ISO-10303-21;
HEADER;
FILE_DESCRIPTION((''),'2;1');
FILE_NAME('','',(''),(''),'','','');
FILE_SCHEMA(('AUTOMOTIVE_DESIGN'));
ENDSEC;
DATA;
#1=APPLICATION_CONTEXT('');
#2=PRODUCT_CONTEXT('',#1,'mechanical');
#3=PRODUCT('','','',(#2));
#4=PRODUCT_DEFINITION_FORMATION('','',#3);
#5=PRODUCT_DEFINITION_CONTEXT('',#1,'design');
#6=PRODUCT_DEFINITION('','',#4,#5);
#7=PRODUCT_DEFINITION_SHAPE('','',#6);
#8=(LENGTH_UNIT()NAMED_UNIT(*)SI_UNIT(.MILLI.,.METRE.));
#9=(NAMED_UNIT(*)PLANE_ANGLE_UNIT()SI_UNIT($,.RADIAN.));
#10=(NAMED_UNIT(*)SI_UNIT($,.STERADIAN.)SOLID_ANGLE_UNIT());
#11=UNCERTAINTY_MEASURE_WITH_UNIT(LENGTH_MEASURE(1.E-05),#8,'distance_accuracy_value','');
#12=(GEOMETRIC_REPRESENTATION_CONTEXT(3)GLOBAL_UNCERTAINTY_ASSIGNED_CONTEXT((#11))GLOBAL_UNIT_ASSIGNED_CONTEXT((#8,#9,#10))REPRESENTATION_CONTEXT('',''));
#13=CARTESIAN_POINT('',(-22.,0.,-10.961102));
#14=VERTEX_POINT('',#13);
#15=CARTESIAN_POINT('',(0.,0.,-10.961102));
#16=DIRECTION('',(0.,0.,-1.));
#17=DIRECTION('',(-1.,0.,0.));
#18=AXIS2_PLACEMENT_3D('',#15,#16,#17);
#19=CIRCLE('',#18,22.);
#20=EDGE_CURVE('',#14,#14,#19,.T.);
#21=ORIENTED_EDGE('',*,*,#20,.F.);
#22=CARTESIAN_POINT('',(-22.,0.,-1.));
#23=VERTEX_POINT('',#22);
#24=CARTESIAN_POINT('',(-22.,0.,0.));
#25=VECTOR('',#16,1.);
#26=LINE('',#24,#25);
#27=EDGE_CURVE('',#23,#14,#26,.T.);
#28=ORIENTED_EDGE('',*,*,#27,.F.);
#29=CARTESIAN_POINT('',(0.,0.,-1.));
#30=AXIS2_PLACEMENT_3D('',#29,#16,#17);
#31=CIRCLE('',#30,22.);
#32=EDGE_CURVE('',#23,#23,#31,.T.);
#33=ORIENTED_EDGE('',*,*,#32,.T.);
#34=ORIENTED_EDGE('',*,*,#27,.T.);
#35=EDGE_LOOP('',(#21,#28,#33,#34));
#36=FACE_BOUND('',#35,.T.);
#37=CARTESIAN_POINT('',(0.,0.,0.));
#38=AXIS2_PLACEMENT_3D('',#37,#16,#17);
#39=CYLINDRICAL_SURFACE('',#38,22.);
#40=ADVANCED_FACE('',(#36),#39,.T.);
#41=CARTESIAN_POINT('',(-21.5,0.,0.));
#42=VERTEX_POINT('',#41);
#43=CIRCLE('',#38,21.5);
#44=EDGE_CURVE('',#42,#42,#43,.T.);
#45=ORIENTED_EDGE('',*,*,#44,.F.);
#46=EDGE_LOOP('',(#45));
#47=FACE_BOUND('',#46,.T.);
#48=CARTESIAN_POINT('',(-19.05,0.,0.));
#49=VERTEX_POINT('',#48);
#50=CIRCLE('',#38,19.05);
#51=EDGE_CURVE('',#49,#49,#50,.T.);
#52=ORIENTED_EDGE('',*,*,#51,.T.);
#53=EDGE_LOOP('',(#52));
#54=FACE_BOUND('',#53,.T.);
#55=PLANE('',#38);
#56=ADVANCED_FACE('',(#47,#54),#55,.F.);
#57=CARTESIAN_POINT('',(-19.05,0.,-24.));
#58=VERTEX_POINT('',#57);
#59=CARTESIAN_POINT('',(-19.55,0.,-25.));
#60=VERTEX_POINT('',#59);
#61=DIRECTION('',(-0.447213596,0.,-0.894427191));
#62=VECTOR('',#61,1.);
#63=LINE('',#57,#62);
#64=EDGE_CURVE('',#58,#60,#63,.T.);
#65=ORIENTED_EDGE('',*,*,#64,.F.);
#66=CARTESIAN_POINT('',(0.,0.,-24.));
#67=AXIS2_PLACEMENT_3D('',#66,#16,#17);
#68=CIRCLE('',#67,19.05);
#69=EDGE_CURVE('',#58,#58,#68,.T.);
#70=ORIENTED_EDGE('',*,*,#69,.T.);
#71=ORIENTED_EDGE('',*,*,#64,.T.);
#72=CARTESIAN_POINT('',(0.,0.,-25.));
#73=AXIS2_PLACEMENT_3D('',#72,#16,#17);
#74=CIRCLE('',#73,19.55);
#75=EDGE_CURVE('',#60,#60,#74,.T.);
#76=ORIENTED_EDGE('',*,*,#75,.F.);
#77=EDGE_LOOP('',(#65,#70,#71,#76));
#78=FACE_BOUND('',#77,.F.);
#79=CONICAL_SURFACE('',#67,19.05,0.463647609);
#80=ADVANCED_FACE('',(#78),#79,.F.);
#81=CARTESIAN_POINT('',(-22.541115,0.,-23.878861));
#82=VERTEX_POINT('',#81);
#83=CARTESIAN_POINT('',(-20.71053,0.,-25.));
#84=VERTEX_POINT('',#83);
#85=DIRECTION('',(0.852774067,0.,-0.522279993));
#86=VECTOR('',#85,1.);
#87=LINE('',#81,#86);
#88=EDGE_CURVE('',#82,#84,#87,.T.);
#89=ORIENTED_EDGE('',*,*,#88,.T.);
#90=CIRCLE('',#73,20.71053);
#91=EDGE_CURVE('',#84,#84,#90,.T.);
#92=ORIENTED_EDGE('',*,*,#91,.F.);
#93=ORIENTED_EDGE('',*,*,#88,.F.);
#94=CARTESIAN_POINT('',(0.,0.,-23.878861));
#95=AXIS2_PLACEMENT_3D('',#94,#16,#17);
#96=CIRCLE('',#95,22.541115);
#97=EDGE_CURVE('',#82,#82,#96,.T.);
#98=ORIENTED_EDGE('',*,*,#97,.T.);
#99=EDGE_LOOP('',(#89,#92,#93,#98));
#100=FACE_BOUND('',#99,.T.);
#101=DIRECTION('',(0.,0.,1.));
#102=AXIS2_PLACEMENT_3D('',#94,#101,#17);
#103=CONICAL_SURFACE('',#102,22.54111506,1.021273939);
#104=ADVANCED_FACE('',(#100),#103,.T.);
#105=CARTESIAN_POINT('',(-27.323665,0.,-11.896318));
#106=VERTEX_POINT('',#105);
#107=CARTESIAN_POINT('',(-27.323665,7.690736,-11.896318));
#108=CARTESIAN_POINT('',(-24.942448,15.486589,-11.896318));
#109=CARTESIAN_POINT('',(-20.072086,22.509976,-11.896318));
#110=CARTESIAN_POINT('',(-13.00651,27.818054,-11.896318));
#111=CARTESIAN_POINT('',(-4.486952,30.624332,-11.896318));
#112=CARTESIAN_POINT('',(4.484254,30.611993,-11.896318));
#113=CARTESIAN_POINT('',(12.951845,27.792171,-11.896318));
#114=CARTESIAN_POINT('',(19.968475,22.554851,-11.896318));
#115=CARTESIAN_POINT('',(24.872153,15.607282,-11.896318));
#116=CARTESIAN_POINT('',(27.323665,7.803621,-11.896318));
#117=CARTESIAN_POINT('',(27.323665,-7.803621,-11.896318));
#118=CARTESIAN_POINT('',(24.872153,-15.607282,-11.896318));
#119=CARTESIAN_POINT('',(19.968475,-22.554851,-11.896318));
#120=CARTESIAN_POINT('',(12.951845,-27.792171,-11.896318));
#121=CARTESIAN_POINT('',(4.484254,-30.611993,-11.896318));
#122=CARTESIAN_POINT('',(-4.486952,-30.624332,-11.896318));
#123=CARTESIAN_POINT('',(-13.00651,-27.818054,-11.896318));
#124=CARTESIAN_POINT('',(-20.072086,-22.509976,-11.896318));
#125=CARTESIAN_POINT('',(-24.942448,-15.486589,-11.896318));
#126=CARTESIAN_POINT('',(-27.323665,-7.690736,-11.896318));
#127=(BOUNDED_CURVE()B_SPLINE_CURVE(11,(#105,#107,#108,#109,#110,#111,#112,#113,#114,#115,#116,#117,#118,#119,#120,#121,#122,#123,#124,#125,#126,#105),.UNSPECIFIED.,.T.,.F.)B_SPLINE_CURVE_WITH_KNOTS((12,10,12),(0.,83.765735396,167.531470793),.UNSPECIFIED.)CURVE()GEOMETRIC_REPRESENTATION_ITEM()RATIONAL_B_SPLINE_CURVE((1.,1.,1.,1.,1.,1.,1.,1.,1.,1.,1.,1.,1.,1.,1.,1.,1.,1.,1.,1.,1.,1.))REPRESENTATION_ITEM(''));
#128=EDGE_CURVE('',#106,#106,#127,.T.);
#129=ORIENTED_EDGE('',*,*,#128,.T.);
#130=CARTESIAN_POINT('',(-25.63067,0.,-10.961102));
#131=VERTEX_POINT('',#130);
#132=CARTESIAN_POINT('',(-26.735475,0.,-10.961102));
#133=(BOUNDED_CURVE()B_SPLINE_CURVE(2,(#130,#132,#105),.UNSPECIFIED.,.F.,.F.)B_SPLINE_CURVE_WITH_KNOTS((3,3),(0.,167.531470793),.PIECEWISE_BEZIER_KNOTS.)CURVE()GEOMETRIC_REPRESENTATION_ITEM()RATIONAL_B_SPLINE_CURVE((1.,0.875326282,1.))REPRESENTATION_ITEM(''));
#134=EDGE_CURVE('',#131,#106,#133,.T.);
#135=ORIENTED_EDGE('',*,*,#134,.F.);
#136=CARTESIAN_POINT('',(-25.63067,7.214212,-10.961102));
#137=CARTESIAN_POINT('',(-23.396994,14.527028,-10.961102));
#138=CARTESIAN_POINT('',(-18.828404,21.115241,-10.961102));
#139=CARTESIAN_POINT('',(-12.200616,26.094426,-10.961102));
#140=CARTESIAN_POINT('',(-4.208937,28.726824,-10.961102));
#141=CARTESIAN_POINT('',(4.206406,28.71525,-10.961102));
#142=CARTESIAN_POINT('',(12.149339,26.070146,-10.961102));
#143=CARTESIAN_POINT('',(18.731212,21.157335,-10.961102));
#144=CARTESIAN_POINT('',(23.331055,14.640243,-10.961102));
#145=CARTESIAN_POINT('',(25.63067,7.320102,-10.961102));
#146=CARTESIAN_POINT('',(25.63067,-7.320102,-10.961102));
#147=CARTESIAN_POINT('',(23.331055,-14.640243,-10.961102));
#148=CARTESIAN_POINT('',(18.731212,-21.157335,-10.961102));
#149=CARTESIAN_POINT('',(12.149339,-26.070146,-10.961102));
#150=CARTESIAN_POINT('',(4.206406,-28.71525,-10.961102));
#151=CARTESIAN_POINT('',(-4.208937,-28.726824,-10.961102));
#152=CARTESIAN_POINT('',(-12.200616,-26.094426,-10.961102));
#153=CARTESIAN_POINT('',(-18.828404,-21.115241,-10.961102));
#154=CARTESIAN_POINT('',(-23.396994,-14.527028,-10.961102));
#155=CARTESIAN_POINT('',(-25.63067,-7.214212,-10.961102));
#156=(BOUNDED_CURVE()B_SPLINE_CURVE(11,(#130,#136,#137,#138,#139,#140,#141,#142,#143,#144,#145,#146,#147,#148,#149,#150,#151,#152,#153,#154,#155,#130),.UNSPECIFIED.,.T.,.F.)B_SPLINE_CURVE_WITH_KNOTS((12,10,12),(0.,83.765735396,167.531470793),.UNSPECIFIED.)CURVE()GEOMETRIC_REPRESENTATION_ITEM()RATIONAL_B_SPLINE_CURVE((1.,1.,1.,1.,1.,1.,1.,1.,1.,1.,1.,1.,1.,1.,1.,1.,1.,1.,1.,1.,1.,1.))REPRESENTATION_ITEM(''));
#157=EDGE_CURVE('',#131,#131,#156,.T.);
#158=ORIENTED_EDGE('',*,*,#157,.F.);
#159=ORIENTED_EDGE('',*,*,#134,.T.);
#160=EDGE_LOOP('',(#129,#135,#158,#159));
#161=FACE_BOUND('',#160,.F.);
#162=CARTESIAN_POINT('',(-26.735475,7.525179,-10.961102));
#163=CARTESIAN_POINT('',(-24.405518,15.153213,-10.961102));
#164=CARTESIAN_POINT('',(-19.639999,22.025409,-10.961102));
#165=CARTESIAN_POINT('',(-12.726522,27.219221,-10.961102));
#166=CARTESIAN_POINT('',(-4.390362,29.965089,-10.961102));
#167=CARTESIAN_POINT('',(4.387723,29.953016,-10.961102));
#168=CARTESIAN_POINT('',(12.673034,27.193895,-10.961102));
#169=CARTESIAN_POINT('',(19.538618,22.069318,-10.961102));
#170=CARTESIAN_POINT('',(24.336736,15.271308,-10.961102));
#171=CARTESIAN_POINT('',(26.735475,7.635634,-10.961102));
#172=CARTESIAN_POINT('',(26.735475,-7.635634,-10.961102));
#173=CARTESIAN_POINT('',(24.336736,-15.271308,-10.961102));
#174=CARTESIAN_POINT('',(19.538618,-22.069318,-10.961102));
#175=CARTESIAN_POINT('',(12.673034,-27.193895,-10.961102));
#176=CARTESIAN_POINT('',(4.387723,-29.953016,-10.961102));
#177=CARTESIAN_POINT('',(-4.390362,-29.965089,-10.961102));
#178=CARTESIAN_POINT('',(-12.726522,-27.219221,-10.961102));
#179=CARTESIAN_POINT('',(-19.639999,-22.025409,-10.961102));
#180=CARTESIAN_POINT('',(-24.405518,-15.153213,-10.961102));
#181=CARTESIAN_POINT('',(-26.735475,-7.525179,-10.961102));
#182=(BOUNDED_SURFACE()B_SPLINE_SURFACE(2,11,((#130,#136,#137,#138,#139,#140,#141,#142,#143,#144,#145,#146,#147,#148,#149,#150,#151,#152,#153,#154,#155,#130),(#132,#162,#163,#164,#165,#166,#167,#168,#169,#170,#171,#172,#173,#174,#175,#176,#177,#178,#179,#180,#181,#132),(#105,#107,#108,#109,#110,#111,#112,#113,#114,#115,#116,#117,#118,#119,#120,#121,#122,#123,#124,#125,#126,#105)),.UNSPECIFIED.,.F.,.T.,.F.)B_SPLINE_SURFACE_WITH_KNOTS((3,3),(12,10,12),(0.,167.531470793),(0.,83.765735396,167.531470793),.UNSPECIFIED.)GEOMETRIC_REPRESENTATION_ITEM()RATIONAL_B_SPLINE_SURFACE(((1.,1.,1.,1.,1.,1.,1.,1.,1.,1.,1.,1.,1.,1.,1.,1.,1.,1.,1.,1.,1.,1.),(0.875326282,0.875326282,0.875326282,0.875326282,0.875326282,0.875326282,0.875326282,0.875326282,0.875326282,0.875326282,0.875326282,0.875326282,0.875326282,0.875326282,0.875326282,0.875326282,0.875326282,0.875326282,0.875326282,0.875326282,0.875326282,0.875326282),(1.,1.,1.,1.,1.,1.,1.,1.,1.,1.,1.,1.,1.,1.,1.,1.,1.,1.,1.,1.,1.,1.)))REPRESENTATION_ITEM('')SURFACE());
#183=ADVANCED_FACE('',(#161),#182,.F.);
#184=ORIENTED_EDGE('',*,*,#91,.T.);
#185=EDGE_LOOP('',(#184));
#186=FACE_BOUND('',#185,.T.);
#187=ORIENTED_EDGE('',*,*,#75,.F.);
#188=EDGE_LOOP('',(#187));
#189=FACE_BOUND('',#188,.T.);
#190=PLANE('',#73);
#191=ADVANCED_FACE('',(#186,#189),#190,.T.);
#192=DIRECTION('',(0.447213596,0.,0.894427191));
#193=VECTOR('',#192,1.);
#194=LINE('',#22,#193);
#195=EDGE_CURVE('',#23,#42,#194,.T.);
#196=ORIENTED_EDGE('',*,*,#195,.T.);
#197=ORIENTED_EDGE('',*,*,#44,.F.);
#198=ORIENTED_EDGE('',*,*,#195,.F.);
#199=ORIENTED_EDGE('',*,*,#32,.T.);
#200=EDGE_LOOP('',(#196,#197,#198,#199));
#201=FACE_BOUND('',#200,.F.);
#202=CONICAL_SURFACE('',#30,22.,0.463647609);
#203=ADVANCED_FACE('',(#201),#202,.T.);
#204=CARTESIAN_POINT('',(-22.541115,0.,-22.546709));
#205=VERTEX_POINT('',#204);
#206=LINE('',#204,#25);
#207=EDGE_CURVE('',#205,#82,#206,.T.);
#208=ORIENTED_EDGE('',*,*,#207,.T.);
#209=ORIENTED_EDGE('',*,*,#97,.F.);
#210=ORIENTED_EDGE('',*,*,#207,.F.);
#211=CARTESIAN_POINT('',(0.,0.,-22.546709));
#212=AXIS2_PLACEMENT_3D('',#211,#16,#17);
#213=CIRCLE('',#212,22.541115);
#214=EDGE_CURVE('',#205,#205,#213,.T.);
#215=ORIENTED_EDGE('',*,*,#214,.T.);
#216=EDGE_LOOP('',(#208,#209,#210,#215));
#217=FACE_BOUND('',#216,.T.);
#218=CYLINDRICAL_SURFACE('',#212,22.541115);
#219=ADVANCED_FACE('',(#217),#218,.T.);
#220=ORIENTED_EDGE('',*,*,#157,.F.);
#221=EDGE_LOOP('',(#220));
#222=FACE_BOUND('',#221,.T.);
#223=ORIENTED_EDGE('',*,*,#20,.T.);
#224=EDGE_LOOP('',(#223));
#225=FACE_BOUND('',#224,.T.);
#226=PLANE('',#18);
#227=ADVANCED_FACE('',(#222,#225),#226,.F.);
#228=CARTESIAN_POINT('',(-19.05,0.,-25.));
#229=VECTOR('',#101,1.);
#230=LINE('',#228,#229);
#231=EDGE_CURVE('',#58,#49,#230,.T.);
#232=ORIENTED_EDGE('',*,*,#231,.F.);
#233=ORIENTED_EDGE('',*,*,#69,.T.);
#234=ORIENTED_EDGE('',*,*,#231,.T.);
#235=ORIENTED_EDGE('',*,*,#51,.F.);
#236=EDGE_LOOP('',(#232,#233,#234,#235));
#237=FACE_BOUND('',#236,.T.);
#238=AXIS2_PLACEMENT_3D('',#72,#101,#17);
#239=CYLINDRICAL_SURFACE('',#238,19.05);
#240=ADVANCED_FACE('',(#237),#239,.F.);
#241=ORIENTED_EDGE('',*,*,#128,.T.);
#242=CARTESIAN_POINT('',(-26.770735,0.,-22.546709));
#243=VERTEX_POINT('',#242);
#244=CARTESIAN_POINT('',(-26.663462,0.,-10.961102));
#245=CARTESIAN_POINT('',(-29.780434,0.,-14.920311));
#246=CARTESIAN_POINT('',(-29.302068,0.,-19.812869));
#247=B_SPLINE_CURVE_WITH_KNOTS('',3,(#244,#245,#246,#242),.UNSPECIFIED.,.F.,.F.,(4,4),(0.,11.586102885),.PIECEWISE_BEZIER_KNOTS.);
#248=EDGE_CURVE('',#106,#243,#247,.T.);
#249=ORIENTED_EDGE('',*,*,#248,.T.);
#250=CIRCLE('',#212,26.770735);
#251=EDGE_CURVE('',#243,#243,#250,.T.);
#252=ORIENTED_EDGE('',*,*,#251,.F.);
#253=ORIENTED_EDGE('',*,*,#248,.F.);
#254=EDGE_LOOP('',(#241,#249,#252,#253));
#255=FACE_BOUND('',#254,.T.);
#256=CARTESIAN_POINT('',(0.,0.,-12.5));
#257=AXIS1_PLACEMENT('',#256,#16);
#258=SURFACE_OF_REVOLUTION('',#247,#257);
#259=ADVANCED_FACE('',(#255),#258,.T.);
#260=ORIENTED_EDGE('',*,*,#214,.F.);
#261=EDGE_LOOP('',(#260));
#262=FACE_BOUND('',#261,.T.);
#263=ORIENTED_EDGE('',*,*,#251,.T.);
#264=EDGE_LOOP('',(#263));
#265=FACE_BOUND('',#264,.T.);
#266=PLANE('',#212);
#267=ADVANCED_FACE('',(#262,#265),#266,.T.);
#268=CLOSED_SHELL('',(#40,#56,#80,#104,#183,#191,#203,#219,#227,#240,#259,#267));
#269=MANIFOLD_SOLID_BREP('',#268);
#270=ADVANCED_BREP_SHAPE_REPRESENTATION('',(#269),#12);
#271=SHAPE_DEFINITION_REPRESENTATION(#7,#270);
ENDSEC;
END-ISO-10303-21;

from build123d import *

# Parameters (mm, degrees)
F2_R       = 2
F3_SIZE2   = 0.5
F3_SIZE    = 1
F3_2_SIZE2 = 0.5
F3_2_SIZE  = 1


with BuildPart() as f1:
    # F0 (on Front) → F1 (revolve)
    with BuildSketch(Plane.XZ):
        with BuildLine():
            Line((-19.05, 0), (-22, 0))
            Line((-22, 0), (-22, -10.9611023217))
            Line((-22, -10.9611023217), (-26.6634617001, -10.9611023217))
            add(Edge.make_bspline(
                [(-26.6634617001, -10.9611023217), (-29.7804344445, -14.9203110486), (-29.3020680547, -19.812868908), (-26.7707351595, -22.5467085838)],
                knots=[0, 0, 0, 0, 11.5861028847, 11.5861028847, 11.5861028847, 11.5861028847], degree=3))
            Line((-26.7707351595, -22.5467085838), (-22.5411150604, -22.5467085838))
            Line((-22.5411150604, -22.5467085838), (-22.5411150604, -23.8788612187))
            Line((-22.5411150604, -23.8788612187), (-20.7105297595, -25))
            Line((-20.7105297595, -25), (-19.05, -25))
            Line((-19.05, -25), (-19.05, 0))
        make_face()
    revolve(axis=Axis((0, 0, -12.5), (0, 0, -1)))

    # F2
    f2_edges = [f1.edges().sort_by_distance(p)[0] for p in [
        (26.663462, 0, -10.961102),
    ]]
    fillet(f2_edges, radius=F2_R)

    # F3
    f3_edges = [f1.edges().sort_by_distance(p)[0] for p in [
        (19.05, 0, -25),
    ]]
    f3_side = f1.faces().sort_by_distance((19.05, 0, -12.5))[0]
    chamfer(f3_edges, length=F3_SIZE, length2=F3_SIZE2, reference=f3_side)

    # F3#2
    f3_2_edges = [f1.edges().sort_by_distance(p)[0] for p in [
        (22, 0, 0),
    ]]
    f3_2_side = f1.faces().sort_by_distance((22, 0, -5.480551))[0]
    chamfer(f3_2_edges, length=F3_2_SIZE, length2=F3_2_SIZE2, reference=f3_2_side)


solid = f1.part
